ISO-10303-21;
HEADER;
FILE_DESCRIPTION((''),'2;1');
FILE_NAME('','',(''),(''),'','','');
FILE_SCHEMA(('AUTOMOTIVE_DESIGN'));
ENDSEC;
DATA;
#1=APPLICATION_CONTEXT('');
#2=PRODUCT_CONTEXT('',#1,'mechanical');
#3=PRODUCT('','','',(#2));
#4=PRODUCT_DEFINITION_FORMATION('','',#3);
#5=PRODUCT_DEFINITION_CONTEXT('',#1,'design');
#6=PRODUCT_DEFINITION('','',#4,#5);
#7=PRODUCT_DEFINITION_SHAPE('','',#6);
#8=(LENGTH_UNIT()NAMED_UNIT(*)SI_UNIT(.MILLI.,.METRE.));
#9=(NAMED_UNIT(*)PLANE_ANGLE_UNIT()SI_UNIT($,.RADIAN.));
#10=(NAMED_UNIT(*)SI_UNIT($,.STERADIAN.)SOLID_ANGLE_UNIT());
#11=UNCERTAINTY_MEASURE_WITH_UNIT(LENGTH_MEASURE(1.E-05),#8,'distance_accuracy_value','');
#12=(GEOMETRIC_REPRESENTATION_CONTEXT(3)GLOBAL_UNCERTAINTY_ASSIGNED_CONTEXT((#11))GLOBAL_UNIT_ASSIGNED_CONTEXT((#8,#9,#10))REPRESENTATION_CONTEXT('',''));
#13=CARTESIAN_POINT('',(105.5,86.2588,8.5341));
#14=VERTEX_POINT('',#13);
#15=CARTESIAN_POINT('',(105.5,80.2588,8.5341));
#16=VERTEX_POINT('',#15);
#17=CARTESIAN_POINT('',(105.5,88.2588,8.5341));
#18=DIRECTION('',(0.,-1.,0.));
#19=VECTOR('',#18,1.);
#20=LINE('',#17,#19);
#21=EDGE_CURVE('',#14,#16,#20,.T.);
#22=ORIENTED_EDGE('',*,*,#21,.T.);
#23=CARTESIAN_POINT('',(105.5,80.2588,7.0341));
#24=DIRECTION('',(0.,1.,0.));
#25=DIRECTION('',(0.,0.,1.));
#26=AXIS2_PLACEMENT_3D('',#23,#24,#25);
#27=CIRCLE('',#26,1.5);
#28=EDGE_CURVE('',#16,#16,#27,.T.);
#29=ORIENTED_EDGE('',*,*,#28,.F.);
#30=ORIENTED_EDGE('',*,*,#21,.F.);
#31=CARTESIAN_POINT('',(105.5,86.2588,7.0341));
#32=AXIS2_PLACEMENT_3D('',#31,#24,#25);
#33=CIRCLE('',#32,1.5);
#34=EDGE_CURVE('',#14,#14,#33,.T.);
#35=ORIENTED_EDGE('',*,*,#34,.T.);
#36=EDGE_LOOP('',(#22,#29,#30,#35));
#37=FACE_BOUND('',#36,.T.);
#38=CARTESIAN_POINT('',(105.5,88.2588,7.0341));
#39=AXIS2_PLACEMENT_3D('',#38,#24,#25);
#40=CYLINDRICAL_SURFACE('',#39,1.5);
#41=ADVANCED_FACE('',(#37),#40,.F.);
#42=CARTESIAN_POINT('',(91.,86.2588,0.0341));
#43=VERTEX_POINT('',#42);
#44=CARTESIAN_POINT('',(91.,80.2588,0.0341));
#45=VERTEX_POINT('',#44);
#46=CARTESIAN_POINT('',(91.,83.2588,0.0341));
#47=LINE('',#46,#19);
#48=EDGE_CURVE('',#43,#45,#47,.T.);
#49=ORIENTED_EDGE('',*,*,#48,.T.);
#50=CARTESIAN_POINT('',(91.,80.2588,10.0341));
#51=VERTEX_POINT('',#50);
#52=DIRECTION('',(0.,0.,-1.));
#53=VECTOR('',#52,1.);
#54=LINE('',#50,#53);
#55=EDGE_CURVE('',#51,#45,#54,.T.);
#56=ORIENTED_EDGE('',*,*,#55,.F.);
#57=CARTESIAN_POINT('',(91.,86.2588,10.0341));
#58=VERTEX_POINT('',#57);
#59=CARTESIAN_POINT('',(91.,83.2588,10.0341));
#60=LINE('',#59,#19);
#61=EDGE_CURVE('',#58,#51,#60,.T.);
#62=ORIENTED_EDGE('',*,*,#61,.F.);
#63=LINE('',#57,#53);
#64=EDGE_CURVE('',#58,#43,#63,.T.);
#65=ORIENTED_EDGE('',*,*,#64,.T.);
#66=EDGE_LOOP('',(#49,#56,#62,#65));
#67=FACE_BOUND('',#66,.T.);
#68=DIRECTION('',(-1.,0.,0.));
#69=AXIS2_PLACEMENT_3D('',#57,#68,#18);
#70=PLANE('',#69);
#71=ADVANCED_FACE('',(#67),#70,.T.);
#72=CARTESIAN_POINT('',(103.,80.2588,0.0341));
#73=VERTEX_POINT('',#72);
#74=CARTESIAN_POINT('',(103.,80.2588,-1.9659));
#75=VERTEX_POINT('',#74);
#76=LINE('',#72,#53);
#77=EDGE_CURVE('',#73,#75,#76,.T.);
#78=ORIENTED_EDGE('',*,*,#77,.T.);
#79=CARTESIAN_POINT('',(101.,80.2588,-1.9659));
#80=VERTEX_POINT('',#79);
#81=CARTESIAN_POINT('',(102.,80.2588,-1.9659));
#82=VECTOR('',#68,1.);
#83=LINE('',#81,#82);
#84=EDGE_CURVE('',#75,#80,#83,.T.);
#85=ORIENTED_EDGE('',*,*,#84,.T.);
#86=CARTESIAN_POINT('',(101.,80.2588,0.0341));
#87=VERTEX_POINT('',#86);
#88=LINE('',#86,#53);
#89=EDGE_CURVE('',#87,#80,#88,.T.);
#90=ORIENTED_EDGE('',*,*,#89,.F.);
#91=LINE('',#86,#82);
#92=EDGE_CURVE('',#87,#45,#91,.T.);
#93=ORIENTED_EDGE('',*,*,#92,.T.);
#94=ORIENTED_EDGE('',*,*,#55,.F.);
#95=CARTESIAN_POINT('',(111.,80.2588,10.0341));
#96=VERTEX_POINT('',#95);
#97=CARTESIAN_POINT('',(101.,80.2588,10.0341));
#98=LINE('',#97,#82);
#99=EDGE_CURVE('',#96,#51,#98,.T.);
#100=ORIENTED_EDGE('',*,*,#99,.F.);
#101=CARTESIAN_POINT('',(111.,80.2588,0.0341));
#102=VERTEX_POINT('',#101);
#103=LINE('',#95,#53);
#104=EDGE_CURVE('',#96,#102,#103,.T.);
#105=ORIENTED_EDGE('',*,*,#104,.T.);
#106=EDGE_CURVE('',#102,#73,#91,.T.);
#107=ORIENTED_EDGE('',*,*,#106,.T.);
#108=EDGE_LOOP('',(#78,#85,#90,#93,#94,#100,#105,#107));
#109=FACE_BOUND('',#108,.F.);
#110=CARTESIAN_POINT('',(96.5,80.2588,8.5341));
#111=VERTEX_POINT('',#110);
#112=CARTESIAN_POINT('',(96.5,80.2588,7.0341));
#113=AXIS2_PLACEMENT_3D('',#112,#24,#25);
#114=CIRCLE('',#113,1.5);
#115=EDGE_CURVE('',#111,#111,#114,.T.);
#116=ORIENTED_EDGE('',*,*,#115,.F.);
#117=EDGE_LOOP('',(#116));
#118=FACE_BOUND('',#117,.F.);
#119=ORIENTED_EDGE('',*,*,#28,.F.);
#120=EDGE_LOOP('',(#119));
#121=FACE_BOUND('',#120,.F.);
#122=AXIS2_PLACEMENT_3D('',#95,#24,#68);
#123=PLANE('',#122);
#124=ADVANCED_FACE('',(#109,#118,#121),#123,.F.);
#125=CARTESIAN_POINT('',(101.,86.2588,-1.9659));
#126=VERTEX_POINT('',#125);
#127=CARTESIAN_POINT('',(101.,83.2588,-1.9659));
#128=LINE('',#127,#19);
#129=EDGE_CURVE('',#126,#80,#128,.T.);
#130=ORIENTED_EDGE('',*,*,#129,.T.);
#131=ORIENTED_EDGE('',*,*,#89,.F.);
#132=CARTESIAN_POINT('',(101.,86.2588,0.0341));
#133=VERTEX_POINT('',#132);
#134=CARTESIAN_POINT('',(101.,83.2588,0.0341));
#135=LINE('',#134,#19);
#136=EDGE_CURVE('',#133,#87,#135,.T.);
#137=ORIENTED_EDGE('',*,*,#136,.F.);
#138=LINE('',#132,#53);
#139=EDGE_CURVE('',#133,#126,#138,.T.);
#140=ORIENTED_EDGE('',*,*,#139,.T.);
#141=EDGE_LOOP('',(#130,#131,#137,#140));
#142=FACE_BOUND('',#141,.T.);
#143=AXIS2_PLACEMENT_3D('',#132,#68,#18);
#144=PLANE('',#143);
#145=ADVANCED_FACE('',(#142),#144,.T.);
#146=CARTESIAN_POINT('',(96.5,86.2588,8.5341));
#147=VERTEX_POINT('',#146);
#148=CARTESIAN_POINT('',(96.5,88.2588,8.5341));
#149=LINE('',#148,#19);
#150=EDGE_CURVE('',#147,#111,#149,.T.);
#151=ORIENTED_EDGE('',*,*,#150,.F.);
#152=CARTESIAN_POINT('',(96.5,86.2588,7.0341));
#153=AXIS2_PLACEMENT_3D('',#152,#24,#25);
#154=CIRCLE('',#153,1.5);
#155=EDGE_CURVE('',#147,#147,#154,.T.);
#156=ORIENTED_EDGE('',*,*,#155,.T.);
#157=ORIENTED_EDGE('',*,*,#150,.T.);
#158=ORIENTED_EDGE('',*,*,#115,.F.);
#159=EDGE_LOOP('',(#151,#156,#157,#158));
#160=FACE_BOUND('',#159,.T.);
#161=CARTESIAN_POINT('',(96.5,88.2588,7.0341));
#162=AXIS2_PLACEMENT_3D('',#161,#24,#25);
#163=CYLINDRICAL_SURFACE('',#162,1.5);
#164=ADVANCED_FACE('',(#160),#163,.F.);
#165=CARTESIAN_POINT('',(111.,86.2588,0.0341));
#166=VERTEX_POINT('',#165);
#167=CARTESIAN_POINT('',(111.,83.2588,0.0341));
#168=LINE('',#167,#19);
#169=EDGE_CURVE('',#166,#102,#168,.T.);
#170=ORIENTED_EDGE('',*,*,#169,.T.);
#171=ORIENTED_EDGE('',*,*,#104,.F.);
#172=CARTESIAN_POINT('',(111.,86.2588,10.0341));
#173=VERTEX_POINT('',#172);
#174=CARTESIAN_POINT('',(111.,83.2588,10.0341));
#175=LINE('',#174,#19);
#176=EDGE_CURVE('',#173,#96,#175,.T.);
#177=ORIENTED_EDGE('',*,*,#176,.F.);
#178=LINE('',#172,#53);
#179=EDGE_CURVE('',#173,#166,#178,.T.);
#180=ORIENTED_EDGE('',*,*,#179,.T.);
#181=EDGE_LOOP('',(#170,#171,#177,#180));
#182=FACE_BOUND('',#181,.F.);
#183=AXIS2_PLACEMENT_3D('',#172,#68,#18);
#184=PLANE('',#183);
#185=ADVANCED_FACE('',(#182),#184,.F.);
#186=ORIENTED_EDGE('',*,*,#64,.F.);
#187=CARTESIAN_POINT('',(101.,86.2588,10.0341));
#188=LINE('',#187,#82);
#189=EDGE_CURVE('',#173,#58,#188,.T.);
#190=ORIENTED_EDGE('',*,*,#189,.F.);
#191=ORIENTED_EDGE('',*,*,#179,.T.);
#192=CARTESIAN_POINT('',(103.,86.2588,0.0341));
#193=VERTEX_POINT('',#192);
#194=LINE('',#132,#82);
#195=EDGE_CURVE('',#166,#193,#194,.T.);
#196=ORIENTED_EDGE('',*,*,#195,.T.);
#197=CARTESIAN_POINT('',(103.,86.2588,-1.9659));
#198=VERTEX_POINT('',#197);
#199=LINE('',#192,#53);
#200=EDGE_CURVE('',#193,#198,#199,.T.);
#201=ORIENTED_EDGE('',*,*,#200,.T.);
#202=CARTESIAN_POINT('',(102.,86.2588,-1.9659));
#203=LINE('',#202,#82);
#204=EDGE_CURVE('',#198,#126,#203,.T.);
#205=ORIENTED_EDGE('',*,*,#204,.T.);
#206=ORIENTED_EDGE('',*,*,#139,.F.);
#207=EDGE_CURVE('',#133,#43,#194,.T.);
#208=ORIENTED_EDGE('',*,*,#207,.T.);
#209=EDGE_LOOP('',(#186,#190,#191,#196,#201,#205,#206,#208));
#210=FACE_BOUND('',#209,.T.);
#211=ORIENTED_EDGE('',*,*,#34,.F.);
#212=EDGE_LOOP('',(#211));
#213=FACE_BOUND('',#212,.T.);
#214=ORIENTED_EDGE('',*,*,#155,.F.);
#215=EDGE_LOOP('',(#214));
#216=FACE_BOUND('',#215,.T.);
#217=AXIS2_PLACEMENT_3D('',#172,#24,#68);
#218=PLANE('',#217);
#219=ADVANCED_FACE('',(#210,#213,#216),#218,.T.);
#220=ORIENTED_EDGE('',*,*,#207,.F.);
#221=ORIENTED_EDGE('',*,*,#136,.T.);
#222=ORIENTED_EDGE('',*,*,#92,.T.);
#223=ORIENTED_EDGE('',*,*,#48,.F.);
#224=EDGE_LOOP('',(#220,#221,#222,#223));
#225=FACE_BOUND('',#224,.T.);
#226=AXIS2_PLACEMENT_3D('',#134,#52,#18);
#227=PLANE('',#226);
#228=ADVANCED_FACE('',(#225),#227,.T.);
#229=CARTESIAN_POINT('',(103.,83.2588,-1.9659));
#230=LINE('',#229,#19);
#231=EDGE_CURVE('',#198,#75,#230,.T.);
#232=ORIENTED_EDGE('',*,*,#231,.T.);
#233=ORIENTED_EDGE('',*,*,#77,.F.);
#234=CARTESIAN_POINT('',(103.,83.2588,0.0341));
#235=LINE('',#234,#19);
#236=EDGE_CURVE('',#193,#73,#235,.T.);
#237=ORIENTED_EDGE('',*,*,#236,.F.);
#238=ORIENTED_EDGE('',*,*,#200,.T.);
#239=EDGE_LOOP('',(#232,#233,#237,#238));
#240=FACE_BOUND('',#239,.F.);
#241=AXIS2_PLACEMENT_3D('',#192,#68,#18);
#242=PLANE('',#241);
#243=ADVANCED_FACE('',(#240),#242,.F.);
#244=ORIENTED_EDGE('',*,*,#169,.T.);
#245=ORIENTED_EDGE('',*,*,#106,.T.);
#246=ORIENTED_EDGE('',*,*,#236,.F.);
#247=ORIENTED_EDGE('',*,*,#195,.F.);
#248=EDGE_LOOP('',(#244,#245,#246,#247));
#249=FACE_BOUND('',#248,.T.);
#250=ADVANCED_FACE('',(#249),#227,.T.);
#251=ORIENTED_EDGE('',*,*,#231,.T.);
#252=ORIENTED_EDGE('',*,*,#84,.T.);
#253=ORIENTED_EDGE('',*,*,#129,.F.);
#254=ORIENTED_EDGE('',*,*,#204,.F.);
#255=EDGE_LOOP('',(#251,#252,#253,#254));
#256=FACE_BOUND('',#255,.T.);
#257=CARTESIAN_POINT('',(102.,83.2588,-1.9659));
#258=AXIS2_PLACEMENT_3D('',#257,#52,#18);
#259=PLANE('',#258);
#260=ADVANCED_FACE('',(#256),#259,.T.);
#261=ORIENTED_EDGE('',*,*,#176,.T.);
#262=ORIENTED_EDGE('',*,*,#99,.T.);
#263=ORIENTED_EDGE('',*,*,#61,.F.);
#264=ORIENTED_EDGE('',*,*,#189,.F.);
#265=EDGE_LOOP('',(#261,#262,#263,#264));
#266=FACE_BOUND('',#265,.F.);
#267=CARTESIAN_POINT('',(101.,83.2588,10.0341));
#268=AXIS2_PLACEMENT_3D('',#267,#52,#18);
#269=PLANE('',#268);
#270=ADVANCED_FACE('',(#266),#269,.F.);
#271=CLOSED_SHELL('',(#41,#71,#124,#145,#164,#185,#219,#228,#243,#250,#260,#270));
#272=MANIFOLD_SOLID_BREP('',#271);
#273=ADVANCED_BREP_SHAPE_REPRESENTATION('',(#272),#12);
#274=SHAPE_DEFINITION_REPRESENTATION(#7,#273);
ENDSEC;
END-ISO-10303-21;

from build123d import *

# Parameters (mm, degrees)
CYLINDER033_R           = 1.5
CYLINDER033_DEPTH       = 10
ARRAY001016_Y_COUNT     = 2
ARRAY001016_Y_PITCH     = 9
BOX016_W                = 6
BOX016_H                = 20
BOX016_DEPTH            = 10
BOX017_W                = 6
BOX017_H                = 2
BOX017_DEPTH            = 2
BODY002_ROLL_ANGLE      = 180
BODY002_PLACEMENT_ANGLE = -90


with BuildPart() as end_stop_hole_array:
    # Cylinder033 → Cylinder033 (new body)
    with BuildSketch(Plane(origin=(-2, 5.5, 3), x_dir=(0, 0, -1), z_dir=(1, 0, 0))):
        Circle(CYLINDER033_R)
    extrude(amount=CYLINDER033_DEPTH)

    # Array001016 Y: end stop hole array ×2


with BuildPart() as end_stop_hole_array_1:
    add(end_stop_hole_array.part)
    with Locations(*[(0, i * ARRAY001016_Y_PITCH, 0) for i in range(1, ARRAY001016_Y_COUNT)]):
        add(end_stop_hole_array.part)


with BuildPart() as end_stop_body_cube:
    # Box016 → Box016 (new body)
    with BuildSketch(Plane.XY):
        with Locations((3, 10)):
            Rectangle(BOX016_W, BOX016_H)
    extrude(amount=BOX016_DEPTH)


with BuildPart() as end_stop_clone001:
    # Box017 → Box017 (new body)
    with BuildSketch(Plane(origin=(0, 8, 10), x_dir=(1, 0, 0), z_dir=(0, 0, 1))):
        with Locations((3, 1)):
            Rectangle(BOX017_W, BOX017_H)
    extrude(amount=BOX017_DEPTH)

    # Fusion013: union end stop body cube
    add(end_stop_body_cube.part)

    # Cut013: cut end stop hole array
    add(end_stop_hole_array_1.part, mode=Mode.SUBTRACT)


with BuildPart() as end_stop_clone001_1:
    # Body002 roll: moved
    add(end_stop_clone001.part.rotate(Axis((0, 0, 0), (1, 0, 0)), BODY002_ROLL_ANGLE))


with BuildPart() as end_stop_clone001_2:
    # Body002 placement: moved
    add(end_stop_clone001_1.part.moved(Location((111, 86.2588, 10.0341))).rotate(Axis((111, 86.2588, 10.0341), (0, 0, 1)), BODY002_PLACEMENT_ANGLE))


solid = end_stop_clone001_2.part
